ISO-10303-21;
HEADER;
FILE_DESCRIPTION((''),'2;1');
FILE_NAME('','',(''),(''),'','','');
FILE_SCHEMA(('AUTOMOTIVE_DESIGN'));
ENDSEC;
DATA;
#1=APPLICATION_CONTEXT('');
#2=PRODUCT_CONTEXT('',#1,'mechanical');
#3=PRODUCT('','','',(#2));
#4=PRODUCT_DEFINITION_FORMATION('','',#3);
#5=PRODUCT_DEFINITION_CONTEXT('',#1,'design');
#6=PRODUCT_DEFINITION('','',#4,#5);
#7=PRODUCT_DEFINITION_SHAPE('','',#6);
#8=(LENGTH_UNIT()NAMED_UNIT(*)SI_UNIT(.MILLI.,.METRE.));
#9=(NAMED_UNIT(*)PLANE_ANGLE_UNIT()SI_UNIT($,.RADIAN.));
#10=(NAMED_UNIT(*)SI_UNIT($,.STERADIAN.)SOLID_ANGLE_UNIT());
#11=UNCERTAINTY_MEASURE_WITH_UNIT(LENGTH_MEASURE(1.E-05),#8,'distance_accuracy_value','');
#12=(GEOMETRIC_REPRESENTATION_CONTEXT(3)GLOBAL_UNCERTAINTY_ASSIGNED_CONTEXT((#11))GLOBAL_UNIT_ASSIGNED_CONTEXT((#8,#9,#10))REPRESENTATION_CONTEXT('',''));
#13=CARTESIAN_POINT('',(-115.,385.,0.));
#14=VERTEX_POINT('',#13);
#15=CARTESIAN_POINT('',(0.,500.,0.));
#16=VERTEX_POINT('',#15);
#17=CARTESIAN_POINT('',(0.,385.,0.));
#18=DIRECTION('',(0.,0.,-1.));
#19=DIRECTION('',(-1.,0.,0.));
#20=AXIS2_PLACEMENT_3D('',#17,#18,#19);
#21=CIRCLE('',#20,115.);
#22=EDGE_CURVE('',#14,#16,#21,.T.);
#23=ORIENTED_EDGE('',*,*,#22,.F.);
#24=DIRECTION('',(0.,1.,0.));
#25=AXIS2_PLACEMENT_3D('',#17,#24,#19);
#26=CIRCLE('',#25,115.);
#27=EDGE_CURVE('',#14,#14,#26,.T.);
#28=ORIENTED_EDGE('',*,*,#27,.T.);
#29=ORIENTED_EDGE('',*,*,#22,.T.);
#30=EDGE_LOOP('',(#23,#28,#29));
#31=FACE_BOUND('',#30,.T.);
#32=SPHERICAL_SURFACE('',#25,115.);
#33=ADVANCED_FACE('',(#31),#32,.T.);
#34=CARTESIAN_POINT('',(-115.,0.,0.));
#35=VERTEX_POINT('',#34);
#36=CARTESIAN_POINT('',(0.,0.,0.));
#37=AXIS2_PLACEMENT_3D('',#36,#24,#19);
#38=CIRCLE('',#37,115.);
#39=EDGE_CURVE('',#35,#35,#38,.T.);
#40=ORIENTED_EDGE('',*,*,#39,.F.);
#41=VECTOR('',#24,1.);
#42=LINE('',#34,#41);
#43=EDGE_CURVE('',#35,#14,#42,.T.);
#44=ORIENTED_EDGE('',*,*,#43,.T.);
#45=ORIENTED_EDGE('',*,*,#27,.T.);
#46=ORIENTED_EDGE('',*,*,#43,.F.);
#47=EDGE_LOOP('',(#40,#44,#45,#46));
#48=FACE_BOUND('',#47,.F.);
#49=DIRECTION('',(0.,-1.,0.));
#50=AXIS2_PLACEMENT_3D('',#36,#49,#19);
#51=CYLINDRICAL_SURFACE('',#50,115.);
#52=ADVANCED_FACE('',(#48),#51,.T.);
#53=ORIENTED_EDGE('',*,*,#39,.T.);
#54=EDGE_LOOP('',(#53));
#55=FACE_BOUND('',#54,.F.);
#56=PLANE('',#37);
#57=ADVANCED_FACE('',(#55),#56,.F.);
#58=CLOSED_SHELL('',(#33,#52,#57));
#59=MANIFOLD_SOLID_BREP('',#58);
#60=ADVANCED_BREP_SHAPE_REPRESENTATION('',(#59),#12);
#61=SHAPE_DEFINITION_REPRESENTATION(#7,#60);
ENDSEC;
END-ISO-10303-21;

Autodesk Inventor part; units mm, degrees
ref_plane "YZ Plane" through (0, 0, 0) normal (1, 0, 0) x (0, 1, 0)
ref_plane "XZ Plane" through (0, 0, 0) normal (0, 1, 0) x (-1, 0, 0)
ref_plane "XY Plane" through (0, 0, 0) normal (0, 0, 1) x (1, 0, 0)
sketch "Sketch1" plane through (0, 0, 0) normal (0, 1, 0) x (-1, 0, 0)
  circle A0 centre (0, 0) radius 115
  dimension "d0" = 230
extrude "Extrusion1" add sketch "Sketch1" along normal blind 500
fillet "Fillet1" radius 115 1 edges at (115, 500, 0)
properties part number "nitrogen bottle"
